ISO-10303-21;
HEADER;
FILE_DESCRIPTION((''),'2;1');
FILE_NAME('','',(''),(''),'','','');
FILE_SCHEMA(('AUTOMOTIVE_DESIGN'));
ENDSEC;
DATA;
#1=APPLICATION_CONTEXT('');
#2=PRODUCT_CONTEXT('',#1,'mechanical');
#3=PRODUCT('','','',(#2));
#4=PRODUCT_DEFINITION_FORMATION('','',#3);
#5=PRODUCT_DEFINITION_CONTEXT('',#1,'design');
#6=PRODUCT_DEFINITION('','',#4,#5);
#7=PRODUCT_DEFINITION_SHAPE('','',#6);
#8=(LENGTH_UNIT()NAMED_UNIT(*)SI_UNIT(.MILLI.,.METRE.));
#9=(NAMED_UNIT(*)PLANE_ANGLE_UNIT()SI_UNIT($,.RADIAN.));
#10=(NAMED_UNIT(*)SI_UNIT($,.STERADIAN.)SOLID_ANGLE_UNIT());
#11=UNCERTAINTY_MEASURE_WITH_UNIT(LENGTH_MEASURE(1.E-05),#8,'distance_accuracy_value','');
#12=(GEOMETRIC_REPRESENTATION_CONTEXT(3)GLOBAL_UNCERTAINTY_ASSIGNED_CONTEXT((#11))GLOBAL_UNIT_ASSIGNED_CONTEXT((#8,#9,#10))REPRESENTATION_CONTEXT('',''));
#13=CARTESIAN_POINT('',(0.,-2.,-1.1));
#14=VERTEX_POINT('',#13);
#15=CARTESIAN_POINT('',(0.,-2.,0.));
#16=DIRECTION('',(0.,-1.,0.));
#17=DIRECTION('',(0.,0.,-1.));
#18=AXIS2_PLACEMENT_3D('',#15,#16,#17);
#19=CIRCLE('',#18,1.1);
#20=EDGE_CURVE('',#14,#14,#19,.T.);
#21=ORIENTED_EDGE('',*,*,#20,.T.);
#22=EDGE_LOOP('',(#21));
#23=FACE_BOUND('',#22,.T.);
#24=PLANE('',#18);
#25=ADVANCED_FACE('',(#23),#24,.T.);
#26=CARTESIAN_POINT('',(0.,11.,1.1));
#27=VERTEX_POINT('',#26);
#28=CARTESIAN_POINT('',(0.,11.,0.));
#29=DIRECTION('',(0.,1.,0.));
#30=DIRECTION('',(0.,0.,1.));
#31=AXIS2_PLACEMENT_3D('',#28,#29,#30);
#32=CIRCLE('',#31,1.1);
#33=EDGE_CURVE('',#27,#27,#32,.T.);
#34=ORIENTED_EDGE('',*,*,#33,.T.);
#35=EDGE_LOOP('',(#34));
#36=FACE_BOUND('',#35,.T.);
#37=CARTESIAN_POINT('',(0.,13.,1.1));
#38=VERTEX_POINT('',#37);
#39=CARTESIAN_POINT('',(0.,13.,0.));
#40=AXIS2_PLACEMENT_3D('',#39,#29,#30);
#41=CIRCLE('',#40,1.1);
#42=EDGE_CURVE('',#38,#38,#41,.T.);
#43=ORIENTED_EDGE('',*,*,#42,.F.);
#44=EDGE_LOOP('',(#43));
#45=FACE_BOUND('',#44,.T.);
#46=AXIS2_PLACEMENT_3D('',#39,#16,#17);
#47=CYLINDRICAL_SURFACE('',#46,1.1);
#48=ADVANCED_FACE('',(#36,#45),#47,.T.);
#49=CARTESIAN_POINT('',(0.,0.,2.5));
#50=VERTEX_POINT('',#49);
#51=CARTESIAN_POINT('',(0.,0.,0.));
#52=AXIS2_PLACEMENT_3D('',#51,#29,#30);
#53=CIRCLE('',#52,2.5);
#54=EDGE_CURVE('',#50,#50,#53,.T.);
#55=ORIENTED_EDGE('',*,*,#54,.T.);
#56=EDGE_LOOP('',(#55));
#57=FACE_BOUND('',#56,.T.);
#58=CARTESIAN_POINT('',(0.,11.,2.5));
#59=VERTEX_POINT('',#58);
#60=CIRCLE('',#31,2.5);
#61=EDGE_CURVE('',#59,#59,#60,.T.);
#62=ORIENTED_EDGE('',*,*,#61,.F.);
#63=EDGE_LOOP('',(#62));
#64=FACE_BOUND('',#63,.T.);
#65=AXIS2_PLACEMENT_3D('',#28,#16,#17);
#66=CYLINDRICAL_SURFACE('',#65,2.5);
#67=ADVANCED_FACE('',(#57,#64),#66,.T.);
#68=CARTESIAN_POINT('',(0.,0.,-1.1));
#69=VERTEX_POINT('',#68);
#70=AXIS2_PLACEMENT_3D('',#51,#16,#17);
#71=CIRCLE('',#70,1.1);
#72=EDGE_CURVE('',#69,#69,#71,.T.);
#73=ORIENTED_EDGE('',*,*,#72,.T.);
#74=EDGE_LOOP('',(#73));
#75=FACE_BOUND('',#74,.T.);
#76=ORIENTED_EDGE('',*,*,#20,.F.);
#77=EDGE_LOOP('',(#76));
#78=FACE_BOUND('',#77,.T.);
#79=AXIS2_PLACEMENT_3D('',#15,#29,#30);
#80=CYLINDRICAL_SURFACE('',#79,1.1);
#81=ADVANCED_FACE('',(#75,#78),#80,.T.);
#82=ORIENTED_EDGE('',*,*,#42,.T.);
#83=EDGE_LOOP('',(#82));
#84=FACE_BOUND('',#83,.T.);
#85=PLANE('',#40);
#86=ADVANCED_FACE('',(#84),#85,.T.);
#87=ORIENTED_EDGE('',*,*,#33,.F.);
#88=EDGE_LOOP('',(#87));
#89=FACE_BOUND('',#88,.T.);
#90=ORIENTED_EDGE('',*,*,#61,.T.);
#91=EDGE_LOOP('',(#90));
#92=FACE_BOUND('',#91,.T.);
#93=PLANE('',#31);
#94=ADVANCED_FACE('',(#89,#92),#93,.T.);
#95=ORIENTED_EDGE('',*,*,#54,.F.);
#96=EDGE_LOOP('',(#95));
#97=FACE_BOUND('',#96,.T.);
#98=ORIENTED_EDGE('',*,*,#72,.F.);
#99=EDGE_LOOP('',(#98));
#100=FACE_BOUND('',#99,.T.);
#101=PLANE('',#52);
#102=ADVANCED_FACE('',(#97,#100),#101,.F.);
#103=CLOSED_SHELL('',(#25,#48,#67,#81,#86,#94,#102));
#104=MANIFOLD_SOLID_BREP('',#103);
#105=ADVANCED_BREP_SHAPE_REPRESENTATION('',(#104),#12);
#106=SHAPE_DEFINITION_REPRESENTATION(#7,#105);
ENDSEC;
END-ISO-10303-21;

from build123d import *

# Parameters (mm, degrees)
SKETCH_1_R      = 2.5
EXTRUDE_1_DEPTH = 11
SKETCH_2_R      = 1.1
EXTRUDE_2_DEPTH = 2
EXTRUDE_START   = 2
SKETCH_4_R      = 1.1
EXTRUDE_3_DEPTH = 2


with BuildPart() as part:
    # Эскиз1 → Бобышка-Вытянуть1 (new body)
    with BuildSketch(Plane(origin=(0, 0, 0), x_dir=(1, 0, 0), z_dir=(0, 1, 0))):
        with Locations(Location((0, 0, 0), (0, 0, 270))):
            Circle(SKETCH_1_R)
    extrude(amount=EXTRUDE_1_DEPTH)

    # Эскиз2 → Бобышка-Вытянуть2 (add)
    with BuildSketch(Plane(origin=(0, 11, 0), x_dir=(1, 0, 0), z_dir=(0, 1, 0))):
        with Locations(Location((0, 0, 0), (0, 0, 270))):
            Circle(SKETCH_2_R)
    extrude(amount=EXTRUDE_2_DEPTH)

    # Эскиз4 → Бобышка-Вытянуть3 (add)
    with BuildSketch(Plane.XZ.offset(EXTRUDE_START)):
        with Locations(Location((0, 0, 0), (0, 0, 90))):
            Circle(SKETCH_4_R)
    extrude(amount=-EXTRUDE_3_DEPTH)


solid = part.part
